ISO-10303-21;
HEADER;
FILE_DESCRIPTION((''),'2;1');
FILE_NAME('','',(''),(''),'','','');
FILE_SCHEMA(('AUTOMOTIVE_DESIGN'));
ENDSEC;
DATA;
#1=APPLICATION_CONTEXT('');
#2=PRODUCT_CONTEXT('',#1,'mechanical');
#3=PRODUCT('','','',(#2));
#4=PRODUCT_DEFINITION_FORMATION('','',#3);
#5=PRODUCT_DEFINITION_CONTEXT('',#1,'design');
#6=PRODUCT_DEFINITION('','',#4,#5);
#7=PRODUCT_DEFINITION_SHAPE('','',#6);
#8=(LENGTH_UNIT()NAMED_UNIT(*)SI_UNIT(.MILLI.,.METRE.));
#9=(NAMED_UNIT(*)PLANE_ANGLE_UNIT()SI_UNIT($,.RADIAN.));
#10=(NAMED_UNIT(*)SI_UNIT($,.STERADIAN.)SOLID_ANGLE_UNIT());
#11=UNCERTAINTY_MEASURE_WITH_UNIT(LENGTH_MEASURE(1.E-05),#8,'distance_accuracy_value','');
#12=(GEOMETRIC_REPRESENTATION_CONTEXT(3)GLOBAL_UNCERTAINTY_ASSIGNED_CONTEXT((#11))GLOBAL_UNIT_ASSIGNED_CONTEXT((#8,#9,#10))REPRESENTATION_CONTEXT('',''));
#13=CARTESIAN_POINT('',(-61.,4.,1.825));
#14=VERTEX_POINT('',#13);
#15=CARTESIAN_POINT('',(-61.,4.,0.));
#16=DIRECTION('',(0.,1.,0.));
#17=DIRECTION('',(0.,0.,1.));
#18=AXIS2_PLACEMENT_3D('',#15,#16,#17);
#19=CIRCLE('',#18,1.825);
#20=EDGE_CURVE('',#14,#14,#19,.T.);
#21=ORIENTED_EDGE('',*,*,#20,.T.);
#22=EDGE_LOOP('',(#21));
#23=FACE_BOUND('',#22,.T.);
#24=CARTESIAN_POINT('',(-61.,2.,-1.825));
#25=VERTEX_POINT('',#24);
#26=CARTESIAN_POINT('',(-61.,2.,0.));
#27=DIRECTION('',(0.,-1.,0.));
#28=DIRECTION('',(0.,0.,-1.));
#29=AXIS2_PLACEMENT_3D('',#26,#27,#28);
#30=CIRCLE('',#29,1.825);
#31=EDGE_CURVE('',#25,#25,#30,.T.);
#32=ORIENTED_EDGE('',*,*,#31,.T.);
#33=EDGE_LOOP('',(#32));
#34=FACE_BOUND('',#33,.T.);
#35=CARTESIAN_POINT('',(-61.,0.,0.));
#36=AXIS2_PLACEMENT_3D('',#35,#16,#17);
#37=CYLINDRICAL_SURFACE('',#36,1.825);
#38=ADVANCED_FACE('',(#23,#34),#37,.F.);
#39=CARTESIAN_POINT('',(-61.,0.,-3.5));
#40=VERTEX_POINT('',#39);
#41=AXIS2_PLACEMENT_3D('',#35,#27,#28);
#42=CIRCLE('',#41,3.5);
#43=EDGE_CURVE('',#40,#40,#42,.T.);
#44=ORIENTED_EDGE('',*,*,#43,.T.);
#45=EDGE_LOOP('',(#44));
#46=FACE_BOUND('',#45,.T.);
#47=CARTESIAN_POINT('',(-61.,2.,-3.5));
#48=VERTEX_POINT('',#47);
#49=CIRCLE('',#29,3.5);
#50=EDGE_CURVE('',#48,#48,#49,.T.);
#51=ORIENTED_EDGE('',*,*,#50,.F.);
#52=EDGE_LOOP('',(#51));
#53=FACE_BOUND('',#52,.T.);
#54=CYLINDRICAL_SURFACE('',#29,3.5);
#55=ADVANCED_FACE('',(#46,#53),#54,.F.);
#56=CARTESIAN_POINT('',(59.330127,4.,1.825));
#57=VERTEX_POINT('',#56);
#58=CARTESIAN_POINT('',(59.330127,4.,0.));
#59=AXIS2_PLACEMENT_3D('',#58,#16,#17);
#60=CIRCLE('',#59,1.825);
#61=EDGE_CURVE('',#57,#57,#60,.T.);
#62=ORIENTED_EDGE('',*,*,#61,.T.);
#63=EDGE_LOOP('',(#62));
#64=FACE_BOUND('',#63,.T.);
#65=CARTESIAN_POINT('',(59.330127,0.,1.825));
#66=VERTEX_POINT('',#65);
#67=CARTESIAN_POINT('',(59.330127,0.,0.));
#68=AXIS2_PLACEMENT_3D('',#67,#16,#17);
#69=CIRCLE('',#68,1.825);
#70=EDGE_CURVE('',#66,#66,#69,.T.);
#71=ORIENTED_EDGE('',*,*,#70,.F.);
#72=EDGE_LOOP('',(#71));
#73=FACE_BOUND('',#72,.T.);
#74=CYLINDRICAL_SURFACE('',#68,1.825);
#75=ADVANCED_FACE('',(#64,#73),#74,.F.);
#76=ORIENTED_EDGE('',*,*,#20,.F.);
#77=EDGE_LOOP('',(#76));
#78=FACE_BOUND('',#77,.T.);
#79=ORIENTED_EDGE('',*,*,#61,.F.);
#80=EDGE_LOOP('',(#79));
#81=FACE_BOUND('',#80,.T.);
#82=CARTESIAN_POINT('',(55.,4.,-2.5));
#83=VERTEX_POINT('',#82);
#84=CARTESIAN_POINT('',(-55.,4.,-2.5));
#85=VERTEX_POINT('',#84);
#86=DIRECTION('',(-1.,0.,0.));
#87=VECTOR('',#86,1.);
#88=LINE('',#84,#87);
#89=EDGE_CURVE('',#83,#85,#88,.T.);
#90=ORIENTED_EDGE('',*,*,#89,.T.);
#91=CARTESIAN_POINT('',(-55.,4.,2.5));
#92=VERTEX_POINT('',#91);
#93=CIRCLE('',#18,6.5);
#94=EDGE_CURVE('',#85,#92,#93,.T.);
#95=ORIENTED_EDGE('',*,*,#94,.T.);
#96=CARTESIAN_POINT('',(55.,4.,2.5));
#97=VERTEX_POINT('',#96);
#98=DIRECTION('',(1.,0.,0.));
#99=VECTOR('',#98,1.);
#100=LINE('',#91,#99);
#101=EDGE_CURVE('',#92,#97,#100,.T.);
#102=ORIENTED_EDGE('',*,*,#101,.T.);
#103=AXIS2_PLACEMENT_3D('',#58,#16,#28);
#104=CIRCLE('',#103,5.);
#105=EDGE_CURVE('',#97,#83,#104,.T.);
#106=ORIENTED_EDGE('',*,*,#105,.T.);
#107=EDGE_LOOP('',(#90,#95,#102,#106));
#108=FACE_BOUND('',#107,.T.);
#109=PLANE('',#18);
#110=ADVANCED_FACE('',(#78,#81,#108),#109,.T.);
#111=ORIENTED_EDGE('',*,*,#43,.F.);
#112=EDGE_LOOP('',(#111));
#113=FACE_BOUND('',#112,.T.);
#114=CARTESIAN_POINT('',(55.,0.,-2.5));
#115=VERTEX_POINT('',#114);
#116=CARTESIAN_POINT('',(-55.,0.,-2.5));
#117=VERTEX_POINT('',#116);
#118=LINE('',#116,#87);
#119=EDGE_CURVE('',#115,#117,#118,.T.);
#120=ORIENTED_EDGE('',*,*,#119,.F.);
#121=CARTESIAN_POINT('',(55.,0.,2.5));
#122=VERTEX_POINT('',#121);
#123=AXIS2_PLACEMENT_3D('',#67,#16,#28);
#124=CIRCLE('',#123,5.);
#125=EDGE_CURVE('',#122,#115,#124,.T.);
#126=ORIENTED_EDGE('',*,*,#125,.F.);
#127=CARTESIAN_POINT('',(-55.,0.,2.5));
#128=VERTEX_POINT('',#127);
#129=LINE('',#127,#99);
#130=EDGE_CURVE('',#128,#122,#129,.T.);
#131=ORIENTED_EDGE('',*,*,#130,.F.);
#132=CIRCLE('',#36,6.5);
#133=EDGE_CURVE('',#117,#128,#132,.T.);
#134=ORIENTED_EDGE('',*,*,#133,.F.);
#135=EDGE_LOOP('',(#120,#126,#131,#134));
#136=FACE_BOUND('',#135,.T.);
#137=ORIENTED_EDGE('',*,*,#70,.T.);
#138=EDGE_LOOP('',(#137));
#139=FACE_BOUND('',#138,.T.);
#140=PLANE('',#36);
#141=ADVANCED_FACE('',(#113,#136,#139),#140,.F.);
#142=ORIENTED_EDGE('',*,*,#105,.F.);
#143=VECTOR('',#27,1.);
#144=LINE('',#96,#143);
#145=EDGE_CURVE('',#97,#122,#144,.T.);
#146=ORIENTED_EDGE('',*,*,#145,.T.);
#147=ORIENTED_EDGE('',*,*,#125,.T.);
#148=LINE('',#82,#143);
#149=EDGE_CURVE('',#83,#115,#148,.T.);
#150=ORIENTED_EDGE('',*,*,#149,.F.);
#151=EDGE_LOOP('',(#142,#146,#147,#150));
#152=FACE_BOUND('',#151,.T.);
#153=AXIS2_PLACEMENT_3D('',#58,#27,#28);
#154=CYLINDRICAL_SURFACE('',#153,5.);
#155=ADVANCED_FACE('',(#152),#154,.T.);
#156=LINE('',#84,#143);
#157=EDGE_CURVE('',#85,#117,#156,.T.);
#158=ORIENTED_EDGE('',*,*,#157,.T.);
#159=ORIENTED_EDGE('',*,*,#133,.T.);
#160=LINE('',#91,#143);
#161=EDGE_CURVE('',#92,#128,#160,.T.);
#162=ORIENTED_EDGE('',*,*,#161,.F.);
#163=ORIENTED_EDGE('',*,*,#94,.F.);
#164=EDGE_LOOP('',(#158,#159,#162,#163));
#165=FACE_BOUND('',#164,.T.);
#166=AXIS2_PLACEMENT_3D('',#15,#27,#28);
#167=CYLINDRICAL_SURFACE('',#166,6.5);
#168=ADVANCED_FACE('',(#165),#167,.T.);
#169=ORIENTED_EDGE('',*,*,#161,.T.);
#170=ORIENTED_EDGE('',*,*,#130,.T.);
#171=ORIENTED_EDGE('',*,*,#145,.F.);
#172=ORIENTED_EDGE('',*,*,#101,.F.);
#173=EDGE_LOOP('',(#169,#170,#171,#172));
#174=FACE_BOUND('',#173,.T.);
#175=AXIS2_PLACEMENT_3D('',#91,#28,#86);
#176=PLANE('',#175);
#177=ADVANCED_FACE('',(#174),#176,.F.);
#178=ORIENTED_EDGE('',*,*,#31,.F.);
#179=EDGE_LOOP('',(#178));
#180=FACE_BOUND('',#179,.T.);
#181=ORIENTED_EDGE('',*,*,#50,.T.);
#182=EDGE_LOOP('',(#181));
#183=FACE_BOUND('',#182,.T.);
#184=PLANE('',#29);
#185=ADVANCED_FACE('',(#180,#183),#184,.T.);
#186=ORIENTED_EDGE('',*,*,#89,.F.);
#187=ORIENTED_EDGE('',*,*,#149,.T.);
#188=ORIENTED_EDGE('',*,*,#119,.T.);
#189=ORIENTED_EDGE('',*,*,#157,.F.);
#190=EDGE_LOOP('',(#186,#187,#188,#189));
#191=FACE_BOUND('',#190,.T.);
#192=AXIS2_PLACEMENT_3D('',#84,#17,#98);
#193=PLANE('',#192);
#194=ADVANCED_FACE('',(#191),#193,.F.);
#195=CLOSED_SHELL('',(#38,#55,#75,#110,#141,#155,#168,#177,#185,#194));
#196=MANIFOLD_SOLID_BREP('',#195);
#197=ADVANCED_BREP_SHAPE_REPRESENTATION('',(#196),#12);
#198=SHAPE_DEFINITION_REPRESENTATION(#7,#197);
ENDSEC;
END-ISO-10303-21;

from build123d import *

# Parameters (mm, degrees)
BOSS_EXTRUDE1_DEPTH = 4
SKETCH3_R           = 3.5
CUT_EXTRUDE2_DEPTH  = 2
SKETCH2_R           = 1.825
CUT_EXTRUDE1_DEPTH  = 68.930111144


with BuildPart() as part:
    # Sketch1 → Boss-Extrude1 (new body)
    with BuildSketch(Plane(origin=(0, 0, 0), x_dir=(1, 0, 0), z_dir=(0, 1, 0))):
        with BuildLine():
            Line((-55, 2.5), (55, 2.5))
            ThreePointArc((55, 2.5), (64.330127019, 0), (55, -2.5))
            Line((55, -2.5), (-55, -2.5))
            ThreePointArc((-55, -2.5), (-67.5, 0), (-55, 2.5))
        make_face()
    extrude(amount=BOSS_EXTRUDE1_DEPTH)

    # Sketch3 → Cut-Extrude2 (cut)
    with BuildSketch(Plane.XZ):
        with Locations(Location((-61, 0, 0), (0, 0, 270))):
            Circle(SKETCH3_R)
    extrude(amount=-CUT_EXTRUDE2_DEPTH, mode=Mode.SUBTRACT)

    # Sketch2 → Cut-Extrude1 (cut, through all)
    with BuildSketch(Plane(origin=(0, 4, 0), x_dir=(1, 0, 0), z_dir=(0, 1, 0))):
        with Locations(Location((-61, 0, 0), (0, 0, 270))):
            Circle(SKETCH2_R)
        with Locations(Location((59.330127019, 0, 0), (0, 0, 270))):
            Circle(SKETCH2_R)
    extrude(amount=-CUT_EXTRUDE1_DEPTH, mode=Mode.SUBTRACT)


solid = part.part
